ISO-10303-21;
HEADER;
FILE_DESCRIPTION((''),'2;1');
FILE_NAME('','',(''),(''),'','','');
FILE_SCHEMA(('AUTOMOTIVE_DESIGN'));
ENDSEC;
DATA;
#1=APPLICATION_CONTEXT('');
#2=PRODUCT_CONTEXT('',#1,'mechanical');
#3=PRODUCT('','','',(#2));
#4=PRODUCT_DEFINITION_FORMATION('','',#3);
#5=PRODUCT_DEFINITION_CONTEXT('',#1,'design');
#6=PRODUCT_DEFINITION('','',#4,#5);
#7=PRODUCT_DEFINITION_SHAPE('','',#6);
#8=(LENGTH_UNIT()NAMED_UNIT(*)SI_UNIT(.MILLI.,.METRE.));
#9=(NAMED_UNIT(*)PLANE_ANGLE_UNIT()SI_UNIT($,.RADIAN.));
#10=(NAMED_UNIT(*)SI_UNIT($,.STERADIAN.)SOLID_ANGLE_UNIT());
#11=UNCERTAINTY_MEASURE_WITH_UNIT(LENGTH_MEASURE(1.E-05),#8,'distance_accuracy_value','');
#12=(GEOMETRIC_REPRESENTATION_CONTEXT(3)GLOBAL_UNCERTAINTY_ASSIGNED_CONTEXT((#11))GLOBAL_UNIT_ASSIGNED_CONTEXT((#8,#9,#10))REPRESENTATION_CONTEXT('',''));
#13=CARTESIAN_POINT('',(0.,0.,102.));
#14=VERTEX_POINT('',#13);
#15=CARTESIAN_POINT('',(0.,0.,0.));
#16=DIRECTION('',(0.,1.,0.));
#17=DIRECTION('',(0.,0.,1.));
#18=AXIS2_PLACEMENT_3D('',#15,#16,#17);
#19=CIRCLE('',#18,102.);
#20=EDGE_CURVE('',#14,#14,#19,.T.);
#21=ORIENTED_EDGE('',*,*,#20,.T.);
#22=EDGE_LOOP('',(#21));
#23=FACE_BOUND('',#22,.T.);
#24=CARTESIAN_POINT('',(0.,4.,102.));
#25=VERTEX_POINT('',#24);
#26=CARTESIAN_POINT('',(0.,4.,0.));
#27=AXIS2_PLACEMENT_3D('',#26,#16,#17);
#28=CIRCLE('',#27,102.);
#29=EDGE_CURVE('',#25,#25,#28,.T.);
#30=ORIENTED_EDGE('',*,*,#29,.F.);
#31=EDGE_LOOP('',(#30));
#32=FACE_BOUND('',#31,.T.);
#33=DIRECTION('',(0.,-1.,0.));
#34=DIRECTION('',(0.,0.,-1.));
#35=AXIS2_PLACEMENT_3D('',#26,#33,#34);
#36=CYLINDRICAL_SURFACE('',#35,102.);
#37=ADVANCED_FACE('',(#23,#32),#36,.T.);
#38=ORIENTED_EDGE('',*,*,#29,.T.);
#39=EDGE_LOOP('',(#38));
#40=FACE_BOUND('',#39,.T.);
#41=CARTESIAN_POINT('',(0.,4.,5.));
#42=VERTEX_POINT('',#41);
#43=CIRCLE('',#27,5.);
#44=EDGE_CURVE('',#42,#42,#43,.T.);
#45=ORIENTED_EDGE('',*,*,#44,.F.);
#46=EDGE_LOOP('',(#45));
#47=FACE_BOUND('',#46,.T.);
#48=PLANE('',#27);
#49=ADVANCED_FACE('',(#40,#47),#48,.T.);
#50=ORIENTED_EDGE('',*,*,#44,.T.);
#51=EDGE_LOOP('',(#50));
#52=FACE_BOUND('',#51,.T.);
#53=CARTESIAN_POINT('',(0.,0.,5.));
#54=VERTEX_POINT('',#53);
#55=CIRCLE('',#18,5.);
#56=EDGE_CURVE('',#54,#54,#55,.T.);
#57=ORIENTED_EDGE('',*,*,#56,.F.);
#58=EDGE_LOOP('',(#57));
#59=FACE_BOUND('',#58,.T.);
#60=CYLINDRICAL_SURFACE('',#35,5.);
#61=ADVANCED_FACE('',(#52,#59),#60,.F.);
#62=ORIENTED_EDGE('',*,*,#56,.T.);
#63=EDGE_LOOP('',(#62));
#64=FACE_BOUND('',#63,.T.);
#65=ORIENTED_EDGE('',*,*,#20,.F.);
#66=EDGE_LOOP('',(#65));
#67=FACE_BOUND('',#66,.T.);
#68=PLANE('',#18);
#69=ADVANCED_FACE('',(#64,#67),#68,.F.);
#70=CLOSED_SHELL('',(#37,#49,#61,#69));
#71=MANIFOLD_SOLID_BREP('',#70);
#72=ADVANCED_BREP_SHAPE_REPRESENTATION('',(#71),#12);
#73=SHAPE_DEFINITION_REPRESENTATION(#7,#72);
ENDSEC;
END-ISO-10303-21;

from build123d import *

# Parameters (mm, degrees)
SKETCH_4_R      = 102
SKETCH_4_R_2    = 5
EXTRUDE_1_DEPTH = 4


with BuildPart() as part:
    # Эскиз4 → Бобышка-Вытянуть1 (new body)
    with BuildSketch(Plane(origin=(0, 0, 0), x_dir=(1, 0, 0), z_dir=(0, 1, 0))):
        with Locations(Location((0, 0, 0), (0, 0, 270))):
            Circle(SKETCH_4_R)
        with Locations(Location((0, 0, 0), (0, 0, 270))):
            Circle(SKETCH_4_R_2, mode=Mode.SUBTRACT)
    extrude(amount=EXTRUDE_1_DEPTH)


solid = part.part
